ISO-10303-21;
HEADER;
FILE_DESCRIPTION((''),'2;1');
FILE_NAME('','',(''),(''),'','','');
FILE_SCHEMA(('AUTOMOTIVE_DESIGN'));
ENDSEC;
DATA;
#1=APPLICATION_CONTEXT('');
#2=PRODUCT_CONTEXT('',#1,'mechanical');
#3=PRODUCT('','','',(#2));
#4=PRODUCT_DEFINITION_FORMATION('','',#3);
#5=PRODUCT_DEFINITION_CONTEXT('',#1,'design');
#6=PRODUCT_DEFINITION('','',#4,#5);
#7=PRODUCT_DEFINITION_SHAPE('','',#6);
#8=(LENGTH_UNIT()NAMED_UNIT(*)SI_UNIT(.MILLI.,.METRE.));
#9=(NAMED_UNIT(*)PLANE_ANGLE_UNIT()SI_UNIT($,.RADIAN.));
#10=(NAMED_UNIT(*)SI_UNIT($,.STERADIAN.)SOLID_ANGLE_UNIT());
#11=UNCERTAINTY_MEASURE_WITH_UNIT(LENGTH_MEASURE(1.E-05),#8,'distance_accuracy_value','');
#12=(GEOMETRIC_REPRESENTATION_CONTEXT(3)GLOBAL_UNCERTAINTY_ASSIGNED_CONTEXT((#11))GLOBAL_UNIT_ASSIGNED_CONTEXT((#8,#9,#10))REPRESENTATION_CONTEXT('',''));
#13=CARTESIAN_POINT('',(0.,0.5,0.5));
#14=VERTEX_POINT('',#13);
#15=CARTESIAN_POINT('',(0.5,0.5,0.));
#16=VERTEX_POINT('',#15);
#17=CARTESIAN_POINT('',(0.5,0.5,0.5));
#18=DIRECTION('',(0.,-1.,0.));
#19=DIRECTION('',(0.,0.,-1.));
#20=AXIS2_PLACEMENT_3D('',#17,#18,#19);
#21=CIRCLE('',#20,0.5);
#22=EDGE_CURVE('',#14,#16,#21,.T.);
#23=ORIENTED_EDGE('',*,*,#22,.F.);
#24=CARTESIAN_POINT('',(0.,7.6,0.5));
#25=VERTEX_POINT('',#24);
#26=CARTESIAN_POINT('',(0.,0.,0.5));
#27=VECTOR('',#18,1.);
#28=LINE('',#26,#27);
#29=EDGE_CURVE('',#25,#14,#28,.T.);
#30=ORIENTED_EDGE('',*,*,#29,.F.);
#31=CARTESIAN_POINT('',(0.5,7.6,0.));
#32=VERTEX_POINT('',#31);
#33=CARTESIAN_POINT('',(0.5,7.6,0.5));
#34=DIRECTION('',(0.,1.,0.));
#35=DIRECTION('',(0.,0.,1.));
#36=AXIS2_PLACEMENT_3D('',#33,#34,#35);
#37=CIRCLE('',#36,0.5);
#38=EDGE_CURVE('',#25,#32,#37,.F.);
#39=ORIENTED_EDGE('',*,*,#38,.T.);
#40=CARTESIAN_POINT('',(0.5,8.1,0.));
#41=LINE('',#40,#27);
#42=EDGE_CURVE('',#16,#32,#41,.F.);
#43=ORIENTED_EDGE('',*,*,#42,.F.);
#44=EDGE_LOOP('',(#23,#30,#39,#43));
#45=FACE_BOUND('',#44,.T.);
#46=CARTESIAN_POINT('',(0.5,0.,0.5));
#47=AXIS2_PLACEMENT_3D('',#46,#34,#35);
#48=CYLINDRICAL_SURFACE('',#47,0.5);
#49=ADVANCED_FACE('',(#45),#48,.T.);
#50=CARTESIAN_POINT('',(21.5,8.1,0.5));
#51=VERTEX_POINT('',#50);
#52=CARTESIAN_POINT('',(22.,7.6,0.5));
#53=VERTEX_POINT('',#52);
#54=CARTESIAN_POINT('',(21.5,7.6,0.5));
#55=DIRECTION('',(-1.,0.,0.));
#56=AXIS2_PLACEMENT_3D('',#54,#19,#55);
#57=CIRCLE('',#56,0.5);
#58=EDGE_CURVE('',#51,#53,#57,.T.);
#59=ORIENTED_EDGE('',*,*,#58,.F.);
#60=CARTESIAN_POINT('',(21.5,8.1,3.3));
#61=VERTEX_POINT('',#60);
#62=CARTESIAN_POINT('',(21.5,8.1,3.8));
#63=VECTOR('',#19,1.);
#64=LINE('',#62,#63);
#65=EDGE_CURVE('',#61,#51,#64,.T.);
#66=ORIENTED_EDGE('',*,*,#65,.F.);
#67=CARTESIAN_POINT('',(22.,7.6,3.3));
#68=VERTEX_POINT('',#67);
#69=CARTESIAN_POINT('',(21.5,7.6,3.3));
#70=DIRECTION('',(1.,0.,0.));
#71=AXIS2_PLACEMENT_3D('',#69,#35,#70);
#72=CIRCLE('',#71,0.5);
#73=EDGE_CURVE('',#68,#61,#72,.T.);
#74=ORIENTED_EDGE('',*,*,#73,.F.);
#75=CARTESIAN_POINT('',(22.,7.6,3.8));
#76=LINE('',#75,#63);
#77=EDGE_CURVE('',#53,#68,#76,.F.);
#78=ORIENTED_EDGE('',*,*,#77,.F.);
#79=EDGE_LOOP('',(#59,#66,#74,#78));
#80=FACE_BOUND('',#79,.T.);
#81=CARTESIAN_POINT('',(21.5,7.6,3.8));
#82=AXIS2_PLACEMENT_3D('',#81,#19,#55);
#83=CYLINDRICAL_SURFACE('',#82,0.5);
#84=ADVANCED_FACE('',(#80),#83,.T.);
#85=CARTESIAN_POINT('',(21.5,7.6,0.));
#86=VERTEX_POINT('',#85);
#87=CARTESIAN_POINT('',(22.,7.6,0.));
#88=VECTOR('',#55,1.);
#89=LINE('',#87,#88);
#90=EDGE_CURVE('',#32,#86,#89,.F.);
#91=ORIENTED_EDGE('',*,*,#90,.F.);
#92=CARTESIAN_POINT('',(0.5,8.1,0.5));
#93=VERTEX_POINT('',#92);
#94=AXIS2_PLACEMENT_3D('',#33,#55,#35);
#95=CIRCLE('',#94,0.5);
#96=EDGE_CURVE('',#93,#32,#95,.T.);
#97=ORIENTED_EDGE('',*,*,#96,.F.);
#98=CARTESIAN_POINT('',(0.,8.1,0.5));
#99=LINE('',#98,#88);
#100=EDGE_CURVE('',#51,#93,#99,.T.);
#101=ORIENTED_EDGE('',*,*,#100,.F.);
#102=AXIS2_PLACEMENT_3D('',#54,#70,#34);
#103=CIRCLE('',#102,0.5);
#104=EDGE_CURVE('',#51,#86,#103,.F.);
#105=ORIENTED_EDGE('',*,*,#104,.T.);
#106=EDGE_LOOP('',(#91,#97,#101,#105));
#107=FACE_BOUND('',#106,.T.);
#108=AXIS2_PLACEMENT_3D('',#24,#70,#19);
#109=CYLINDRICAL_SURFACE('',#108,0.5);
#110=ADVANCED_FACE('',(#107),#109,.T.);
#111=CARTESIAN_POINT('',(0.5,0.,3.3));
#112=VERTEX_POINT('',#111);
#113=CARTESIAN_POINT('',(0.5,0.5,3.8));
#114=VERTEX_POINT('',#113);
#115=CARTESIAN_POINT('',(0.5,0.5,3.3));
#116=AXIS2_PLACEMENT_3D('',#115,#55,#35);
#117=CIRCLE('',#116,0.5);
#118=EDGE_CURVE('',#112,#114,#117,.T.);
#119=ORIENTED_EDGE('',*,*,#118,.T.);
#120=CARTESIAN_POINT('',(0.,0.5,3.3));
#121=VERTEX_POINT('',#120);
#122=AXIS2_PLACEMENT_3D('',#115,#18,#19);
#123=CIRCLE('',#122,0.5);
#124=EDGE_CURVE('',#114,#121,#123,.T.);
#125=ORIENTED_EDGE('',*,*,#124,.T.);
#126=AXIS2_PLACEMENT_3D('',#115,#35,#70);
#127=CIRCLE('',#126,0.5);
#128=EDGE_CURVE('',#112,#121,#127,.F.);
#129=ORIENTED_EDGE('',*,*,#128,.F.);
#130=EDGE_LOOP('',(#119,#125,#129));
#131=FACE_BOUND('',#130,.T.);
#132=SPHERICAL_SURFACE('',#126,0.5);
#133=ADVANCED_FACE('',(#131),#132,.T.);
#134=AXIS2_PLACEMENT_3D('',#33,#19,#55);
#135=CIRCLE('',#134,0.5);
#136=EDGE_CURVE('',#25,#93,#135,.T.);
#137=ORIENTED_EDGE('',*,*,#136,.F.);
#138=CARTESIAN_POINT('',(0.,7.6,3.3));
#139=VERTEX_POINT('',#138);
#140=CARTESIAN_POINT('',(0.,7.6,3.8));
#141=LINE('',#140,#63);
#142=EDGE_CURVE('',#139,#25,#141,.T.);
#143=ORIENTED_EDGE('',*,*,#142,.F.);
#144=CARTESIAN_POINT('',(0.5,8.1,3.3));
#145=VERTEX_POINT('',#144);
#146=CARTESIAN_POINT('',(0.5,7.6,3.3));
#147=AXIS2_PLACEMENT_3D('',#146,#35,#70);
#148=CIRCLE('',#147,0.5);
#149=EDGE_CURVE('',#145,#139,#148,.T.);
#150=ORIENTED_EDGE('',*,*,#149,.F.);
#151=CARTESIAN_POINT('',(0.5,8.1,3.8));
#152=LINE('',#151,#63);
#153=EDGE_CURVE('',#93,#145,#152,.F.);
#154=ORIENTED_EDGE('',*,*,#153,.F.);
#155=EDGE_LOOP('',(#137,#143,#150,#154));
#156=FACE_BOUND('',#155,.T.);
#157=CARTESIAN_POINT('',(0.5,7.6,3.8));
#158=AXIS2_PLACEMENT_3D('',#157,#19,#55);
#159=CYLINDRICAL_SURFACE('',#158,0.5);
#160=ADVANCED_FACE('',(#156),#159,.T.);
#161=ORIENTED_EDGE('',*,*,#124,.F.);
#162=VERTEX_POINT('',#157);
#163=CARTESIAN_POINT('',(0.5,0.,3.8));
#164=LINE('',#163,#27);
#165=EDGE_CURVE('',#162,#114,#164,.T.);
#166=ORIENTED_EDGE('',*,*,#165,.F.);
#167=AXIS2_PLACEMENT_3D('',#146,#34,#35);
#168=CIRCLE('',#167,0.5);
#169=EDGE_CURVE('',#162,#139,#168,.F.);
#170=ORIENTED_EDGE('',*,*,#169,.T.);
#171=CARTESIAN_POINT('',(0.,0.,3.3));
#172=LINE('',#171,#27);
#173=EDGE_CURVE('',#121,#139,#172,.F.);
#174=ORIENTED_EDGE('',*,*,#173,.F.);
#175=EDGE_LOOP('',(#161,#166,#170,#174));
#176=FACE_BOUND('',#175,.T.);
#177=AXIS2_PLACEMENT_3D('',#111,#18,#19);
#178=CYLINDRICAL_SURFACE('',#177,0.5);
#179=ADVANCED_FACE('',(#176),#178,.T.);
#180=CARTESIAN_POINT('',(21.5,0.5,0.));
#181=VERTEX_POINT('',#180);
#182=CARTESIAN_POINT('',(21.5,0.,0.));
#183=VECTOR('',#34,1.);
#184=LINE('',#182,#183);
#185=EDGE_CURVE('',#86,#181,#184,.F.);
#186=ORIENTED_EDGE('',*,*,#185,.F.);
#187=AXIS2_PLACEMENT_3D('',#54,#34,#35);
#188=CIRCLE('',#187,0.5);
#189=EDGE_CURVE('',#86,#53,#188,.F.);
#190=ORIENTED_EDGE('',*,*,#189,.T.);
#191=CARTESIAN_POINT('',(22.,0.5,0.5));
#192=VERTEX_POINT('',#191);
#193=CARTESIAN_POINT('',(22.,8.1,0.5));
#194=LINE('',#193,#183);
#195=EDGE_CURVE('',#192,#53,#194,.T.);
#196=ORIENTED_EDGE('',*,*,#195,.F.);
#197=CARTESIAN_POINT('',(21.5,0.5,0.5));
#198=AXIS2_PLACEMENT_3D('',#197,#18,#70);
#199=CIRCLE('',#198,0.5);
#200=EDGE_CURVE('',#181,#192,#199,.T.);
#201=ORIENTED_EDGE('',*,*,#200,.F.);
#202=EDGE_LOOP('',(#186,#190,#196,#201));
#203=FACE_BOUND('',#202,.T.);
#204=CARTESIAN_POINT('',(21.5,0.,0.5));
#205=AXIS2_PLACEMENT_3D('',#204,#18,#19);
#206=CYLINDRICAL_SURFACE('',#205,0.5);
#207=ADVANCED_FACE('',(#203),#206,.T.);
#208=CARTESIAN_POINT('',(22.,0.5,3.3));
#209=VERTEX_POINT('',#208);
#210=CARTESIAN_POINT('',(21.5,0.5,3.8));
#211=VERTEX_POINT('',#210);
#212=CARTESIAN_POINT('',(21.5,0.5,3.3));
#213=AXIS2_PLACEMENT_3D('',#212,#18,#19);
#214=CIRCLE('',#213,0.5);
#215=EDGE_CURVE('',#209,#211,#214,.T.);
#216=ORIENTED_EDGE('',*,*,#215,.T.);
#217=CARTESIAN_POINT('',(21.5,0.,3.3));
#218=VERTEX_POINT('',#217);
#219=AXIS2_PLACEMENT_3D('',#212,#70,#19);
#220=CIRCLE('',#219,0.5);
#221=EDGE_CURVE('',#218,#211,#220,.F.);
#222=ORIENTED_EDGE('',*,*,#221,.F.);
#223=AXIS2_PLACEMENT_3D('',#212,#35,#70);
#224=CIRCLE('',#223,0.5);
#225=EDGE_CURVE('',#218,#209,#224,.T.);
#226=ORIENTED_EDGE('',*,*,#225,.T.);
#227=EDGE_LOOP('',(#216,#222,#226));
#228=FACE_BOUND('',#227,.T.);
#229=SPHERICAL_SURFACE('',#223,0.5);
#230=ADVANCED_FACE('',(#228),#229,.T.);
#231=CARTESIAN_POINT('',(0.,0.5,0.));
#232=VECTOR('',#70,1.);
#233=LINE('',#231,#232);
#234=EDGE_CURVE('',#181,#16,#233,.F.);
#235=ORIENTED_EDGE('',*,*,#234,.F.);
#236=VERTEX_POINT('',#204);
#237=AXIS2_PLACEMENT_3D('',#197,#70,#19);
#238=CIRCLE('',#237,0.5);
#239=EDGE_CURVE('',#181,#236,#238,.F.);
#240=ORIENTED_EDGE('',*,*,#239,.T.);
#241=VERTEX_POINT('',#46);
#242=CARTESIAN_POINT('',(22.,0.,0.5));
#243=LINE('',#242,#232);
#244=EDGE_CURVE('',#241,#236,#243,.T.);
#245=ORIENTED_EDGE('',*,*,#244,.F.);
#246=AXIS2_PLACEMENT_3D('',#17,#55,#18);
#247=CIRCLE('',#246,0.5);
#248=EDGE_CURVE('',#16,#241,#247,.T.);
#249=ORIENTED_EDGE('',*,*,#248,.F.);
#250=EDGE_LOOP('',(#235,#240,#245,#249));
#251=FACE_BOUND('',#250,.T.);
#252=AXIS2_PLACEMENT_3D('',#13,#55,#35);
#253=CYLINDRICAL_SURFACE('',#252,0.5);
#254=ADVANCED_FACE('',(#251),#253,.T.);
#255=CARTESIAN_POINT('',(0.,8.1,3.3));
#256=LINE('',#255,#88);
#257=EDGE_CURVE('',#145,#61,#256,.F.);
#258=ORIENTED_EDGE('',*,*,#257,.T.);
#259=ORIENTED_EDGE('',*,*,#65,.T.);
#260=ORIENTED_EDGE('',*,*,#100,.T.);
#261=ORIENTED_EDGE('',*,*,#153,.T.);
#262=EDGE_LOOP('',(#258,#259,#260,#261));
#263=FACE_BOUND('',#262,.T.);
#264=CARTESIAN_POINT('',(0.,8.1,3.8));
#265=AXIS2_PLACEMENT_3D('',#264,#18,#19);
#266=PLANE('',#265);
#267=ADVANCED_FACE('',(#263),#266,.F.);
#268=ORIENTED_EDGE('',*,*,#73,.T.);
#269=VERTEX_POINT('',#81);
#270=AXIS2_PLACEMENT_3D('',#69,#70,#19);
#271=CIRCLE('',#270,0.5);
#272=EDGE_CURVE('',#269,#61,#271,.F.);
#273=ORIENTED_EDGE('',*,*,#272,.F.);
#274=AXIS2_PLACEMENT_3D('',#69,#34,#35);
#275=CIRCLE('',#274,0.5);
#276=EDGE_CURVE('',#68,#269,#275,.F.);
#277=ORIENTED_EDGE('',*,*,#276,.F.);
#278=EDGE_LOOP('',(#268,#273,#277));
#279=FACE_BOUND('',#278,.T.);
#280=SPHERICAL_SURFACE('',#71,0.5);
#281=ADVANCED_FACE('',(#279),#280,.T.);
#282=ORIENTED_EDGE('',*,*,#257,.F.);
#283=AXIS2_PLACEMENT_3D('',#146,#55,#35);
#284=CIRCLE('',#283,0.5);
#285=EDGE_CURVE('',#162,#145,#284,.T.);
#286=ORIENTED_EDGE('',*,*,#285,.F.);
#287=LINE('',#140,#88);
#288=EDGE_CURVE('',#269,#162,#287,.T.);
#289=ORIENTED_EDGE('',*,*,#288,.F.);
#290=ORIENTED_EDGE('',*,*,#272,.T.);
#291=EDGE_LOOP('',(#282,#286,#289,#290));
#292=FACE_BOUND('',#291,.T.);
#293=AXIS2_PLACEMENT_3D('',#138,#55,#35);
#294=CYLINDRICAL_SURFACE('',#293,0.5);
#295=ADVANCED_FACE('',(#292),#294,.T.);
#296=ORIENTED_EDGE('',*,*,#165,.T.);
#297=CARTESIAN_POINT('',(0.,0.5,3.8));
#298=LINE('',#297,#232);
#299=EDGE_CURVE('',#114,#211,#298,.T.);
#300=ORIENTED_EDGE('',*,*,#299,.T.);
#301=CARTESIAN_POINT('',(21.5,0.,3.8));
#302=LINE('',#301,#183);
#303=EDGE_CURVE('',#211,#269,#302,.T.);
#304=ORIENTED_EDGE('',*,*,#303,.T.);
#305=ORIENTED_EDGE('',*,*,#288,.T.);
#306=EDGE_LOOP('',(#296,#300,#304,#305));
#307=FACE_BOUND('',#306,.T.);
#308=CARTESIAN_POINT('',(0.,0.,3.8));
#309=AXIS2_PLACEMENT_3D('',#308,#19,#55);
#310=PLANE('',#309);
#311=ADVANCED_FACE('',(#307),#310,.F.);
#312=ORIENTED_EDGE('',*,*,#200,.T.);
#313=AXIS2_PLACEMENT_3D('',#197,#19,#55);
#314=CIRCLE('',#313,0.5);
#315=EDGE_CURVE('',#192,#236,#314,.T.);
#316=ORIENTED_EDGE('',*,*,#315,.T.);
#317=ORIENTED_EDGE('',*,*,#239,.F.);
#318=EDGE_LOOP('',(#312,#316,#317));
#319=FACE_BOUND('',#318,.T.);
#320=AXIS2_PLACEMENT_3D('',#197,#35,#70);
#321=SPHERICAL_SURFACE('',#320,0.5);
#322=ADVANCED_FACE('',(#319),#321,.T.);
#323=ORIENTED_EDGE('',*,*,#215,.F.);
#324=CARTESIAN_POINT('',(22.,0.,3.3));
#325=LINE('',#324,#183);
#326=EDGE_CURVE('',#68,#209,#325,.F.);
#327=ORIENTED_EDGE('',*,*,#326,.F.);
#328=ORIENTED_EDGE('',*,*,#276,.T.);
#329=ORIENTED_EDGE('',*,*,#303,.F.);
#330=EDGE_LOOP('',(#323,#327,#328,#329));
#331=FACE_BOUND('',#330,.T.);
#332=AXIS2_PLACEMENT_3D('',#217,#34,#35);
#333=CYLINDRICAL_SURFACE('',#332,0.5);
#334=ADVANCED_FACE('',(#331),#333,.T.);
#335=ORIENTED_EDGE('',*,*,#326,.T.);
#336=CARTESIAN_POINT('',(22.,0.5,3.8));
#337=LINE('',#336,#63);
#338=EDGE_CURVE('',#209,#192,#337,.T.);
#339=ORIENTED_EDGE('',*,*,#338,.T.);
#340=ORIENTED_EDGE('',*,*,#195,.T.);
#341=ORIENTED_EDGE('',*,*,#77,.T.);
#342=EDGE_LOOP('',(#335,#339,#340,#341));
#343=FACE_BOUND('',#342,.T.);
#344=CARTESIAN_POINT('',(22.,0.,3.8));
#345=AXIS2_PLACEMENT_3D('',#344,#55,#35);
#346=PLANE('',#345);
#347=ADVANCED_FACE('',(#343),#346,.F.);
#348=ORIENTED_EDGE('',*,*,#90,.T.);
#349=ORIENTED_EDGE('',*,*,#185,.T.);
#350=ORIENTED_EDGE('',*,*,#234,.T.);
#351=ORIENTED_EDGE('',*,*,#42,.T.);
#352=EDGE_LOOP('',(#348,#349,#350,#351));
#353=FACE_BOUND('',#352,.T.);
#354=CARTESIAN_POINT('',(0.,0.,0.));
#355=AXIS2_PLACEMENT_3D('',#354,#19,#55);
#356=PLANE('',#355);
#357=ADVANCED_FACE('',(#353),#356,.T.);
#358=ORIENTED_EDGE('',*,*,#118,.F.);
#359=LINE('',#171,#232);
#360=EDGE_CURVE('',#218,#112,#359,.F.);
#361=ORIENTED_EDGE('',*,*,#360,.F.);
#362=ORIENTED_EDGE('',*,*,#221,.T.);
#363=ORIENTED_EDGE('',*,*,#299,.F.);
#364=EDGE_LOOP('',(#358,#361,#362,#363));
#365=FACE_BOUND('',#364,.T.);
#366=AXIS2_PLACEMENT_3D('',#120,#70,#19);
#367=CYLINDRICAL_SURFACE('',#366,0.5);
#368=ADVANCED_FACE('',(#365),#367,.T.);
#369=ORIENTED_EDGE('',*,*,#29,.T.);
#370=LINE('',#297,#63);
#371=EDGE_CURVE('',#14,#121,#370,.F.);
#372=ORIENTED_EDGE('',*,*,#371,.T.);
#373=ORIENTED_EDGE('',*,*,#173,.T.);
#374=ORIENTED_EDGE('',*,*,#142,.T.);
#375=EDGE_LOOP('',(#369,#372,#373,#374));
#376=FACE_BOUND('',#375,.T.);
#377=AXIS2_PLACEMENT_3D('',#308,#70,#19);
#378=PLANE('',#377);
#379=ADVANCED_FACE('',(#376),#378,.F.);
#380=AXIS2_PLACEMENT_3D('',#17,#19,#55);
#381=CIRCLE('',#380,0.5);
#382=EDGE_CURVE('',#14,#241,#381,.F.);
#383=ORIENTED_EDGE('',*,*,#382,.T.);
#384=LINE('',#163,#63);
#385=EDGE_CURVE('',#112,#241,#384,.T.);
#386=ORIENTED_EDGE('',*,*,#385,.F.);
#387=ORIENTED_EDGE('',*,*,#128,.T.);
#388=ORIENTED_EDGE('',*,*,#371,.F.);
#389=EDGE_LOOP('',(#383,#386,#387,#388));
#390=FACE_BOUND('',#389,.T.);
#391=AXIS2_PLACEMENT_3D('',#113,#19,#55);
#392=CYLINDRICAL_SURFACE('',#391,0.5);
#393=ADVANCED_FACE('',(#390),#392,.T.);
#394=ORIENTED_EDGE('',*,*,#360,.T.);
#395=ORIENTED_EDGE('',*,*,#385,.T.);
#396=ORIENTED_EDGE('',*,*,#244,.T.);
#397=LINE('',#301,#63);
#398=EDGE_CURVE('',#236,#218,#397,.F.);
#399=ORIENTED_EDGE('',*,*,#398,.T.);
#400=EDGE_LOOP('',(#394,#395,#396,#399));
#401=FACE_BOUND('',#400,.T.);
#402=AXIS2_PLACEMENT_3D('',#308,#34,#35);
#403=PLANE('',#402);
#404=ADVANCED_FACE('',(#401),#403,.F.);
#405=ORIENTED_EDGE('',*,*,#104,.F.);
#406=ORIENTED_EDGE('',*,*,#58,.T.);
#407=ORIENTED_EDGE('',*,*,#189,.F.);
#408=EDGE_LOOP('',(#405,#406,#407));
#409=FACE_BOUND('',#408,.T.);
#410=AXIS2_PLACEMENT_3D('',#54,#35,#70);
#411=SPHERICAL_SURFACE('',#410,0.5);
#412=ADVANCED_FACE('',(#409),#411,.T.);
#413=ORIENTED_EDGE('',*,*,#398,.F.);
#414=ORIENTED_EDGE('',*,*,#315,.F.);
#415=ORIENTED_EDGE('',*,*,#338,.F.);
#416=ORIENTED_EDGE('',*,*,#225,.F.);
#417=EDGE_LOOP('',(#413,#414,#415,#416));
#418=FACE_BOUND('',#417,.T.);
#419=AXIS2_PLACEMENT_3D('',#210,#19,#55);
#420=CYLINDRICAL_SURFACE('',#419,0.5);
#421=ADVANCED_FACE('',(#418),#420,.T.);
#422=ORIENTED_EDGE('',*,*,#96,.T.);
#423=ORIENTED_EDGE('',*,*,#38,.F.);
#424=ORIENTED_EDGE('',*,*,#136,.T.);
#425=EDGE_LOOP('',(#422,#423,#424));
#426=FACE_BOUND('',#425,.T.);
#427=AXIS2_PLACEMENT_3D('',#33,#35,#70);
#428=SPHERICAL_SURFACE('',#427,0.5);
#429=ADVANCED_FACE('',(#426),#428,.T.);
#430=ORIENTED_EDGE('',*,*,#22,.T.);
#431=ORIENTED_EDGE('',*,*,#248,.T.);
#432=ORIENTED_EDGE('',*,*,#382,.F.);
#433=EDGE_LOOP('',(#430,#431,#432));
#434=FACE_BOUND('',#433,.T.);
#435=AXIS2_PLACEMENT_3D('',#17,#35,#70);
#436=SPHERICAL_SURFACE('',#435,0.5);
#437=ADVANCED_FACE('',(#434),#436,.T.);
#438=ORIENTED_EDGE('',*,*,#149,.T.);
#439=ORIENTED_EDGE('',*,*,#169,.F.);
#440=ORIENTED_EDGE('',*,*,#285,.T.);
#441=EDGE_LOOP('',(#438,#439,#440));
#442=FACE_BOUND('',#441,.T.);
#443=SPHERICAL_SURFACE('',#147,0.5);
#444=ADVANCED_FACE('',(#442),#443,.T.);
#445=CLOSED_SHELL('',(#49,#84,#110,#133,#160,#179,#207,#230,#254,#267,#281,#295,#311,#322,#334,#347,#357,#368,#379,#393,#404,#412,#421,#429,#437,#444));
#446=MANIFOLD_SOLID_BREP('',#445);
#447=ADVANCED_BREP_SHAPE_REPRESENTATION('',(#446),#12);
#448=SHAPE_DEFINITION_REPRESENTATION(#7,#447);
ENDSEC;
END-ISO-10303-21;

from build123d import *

# Parameters (mm, degrees)
SKETCH1_W           = 22
SKETCH1_H           = 8.1
BOSS_EXTRUDE1_DEPTH = 3.8
FILLET1_R           = 0.5


with BuildPart() as part:
    # Sketch1 → Boss-Extrude1 (new body)
    with BuildSketch(Plane.XY):
        with Locations((11, 4.05)):
            Rectangle(SKETCH1_W, SKETCH1_H)
    extrude(amount=BOSS_EXTRUDE1_DEPTH)

    # Fillet1
    fillet1_edges = [part.edges().sort_by_distance(p)[0] for p in [
        (22, 4.05, 3.8),
        (11, 8.1, 3.8),
        (0, 4.05, 3.8),
        (11, 8.1, 0),
        (22, 4.05, 0),
        (11, 0, 0),
        (0, 4.05, 0),
        (11, 0, 3.8),
        (0, 8.1, 1.9),
        (22, 8.1, 1.9),
        (22, 0, 1.9),
        (0, 0, 1.9),
    ]]
    fillet(fillet1_edges, radius=FILLET1_R)


solid = part.part
